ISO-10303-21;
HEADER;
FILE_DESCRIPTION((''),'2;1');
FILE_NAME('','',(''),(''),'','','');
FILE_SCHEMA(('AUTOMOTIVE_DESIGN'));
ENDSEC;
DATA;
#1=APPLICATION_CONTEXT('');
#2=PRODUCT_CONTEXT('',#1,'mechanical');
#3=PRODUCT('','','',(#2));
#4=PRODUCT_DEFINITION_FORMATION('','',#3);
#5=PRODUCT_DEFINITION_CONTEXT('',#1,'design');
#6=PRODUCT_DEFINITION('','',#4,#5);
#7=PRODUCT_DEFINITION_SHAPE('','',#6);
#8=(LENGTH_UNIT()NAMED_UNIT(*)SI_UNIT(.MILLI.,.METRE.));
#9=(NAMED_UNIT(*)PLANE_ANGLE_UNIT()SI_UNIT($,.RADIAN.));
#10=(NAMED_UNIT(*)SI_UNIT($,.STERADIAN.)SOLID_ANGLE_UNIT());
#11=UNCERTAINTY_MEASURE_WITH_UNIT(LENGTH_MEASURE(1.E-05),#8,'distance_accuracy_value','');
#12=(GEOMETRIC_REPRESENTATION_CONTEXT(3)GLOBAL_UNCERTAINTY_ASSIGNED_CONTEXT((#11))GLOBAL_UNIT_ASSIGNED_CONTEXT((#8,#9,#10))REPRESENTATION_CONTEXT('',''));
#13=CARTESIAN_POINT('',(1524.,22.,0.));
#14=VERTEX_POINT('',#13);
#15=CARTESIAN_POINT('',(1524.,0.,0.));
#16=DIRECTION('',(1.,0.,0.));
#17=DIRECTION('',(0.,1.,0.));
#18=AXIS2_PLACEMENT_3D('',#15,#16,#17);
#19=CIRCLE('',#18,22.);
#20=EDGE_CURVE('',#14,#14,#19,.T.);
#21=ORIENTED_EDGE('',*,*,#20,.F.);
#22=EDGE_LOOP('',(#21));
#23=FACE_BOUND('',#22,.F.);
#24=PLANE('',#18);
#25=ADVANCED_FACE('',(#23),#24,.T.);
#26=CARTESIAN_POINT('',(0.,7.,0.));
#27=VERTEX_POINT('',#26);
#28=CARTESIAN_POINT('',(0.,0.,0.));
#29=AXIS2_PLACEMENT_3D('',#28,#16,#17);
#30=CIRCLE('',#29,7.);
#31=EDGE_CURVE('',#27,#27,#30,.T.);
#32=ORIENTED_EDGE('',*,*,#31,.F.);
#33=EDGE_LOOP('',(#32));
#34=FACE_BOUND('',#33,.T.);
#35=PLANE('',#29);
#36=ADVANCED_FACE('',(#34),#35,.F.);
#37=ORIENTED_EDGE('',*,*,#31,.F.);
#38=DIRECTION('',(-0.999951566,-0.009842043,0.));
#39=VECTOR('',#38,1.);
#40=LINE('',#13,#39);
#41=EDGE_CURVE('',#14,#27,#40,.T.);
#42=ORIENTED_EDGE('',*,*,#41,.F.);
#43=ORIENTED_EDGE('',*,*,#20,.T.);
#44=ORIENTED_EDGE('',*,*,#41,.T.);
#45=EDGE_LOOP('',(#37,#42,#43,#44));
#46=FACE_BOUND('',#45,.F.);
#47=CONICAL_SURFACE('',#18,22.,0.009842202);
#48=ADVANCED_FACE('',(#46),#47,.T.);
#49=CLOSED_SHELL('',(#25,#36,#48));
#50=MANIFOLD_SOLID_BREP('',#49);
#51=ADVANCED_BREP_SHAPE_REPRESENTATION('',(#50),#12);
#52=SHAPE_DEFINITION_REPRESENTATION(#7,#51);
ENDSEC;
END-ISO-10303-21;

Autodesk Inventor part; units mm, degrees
ref_plane "YZ Plane" through (0, 0, 0) normal (1, 0, 0) x (0, 1, 0)
ref_plane "XZ Plane" through (0, 0, 0) normal (0, 1, 0) x (-1, 0, 0)
ref_plane "XY Plane" through (0, 0, 0) normal (0, 0, 1) x (1, 0, 0)
sketch "Sketch1" plane through (0, 0, 0) normal (0, 0, 1) x (1, 0, 0)
  line L0 (0, 0) -> (1524, 0)
  line L1 (0, 0) -> (0, 7)
  line L2 (0, 0) -> (0, -7)
  line L3 (1524, 0) -> (1524, 22)
  line L4 (1524, 0) -> (1524, -22)
  line L5 (1524, -22) -> (0, -7)
  line L6 (1524, 22) -> (0, 7)
  dimension "d0" = 1524
  dimension "d1" = 7
  dimension "d2" = 7
  dimension "d3" = 22
  dimension "d4" = 22
revolve "Revolution1" add sketch "Sketch1" angle 360 about axis through (0, 0, 0) along (1, 0, 0) contours L1 L6 L3 L0
properties part number "CueStickFull"
